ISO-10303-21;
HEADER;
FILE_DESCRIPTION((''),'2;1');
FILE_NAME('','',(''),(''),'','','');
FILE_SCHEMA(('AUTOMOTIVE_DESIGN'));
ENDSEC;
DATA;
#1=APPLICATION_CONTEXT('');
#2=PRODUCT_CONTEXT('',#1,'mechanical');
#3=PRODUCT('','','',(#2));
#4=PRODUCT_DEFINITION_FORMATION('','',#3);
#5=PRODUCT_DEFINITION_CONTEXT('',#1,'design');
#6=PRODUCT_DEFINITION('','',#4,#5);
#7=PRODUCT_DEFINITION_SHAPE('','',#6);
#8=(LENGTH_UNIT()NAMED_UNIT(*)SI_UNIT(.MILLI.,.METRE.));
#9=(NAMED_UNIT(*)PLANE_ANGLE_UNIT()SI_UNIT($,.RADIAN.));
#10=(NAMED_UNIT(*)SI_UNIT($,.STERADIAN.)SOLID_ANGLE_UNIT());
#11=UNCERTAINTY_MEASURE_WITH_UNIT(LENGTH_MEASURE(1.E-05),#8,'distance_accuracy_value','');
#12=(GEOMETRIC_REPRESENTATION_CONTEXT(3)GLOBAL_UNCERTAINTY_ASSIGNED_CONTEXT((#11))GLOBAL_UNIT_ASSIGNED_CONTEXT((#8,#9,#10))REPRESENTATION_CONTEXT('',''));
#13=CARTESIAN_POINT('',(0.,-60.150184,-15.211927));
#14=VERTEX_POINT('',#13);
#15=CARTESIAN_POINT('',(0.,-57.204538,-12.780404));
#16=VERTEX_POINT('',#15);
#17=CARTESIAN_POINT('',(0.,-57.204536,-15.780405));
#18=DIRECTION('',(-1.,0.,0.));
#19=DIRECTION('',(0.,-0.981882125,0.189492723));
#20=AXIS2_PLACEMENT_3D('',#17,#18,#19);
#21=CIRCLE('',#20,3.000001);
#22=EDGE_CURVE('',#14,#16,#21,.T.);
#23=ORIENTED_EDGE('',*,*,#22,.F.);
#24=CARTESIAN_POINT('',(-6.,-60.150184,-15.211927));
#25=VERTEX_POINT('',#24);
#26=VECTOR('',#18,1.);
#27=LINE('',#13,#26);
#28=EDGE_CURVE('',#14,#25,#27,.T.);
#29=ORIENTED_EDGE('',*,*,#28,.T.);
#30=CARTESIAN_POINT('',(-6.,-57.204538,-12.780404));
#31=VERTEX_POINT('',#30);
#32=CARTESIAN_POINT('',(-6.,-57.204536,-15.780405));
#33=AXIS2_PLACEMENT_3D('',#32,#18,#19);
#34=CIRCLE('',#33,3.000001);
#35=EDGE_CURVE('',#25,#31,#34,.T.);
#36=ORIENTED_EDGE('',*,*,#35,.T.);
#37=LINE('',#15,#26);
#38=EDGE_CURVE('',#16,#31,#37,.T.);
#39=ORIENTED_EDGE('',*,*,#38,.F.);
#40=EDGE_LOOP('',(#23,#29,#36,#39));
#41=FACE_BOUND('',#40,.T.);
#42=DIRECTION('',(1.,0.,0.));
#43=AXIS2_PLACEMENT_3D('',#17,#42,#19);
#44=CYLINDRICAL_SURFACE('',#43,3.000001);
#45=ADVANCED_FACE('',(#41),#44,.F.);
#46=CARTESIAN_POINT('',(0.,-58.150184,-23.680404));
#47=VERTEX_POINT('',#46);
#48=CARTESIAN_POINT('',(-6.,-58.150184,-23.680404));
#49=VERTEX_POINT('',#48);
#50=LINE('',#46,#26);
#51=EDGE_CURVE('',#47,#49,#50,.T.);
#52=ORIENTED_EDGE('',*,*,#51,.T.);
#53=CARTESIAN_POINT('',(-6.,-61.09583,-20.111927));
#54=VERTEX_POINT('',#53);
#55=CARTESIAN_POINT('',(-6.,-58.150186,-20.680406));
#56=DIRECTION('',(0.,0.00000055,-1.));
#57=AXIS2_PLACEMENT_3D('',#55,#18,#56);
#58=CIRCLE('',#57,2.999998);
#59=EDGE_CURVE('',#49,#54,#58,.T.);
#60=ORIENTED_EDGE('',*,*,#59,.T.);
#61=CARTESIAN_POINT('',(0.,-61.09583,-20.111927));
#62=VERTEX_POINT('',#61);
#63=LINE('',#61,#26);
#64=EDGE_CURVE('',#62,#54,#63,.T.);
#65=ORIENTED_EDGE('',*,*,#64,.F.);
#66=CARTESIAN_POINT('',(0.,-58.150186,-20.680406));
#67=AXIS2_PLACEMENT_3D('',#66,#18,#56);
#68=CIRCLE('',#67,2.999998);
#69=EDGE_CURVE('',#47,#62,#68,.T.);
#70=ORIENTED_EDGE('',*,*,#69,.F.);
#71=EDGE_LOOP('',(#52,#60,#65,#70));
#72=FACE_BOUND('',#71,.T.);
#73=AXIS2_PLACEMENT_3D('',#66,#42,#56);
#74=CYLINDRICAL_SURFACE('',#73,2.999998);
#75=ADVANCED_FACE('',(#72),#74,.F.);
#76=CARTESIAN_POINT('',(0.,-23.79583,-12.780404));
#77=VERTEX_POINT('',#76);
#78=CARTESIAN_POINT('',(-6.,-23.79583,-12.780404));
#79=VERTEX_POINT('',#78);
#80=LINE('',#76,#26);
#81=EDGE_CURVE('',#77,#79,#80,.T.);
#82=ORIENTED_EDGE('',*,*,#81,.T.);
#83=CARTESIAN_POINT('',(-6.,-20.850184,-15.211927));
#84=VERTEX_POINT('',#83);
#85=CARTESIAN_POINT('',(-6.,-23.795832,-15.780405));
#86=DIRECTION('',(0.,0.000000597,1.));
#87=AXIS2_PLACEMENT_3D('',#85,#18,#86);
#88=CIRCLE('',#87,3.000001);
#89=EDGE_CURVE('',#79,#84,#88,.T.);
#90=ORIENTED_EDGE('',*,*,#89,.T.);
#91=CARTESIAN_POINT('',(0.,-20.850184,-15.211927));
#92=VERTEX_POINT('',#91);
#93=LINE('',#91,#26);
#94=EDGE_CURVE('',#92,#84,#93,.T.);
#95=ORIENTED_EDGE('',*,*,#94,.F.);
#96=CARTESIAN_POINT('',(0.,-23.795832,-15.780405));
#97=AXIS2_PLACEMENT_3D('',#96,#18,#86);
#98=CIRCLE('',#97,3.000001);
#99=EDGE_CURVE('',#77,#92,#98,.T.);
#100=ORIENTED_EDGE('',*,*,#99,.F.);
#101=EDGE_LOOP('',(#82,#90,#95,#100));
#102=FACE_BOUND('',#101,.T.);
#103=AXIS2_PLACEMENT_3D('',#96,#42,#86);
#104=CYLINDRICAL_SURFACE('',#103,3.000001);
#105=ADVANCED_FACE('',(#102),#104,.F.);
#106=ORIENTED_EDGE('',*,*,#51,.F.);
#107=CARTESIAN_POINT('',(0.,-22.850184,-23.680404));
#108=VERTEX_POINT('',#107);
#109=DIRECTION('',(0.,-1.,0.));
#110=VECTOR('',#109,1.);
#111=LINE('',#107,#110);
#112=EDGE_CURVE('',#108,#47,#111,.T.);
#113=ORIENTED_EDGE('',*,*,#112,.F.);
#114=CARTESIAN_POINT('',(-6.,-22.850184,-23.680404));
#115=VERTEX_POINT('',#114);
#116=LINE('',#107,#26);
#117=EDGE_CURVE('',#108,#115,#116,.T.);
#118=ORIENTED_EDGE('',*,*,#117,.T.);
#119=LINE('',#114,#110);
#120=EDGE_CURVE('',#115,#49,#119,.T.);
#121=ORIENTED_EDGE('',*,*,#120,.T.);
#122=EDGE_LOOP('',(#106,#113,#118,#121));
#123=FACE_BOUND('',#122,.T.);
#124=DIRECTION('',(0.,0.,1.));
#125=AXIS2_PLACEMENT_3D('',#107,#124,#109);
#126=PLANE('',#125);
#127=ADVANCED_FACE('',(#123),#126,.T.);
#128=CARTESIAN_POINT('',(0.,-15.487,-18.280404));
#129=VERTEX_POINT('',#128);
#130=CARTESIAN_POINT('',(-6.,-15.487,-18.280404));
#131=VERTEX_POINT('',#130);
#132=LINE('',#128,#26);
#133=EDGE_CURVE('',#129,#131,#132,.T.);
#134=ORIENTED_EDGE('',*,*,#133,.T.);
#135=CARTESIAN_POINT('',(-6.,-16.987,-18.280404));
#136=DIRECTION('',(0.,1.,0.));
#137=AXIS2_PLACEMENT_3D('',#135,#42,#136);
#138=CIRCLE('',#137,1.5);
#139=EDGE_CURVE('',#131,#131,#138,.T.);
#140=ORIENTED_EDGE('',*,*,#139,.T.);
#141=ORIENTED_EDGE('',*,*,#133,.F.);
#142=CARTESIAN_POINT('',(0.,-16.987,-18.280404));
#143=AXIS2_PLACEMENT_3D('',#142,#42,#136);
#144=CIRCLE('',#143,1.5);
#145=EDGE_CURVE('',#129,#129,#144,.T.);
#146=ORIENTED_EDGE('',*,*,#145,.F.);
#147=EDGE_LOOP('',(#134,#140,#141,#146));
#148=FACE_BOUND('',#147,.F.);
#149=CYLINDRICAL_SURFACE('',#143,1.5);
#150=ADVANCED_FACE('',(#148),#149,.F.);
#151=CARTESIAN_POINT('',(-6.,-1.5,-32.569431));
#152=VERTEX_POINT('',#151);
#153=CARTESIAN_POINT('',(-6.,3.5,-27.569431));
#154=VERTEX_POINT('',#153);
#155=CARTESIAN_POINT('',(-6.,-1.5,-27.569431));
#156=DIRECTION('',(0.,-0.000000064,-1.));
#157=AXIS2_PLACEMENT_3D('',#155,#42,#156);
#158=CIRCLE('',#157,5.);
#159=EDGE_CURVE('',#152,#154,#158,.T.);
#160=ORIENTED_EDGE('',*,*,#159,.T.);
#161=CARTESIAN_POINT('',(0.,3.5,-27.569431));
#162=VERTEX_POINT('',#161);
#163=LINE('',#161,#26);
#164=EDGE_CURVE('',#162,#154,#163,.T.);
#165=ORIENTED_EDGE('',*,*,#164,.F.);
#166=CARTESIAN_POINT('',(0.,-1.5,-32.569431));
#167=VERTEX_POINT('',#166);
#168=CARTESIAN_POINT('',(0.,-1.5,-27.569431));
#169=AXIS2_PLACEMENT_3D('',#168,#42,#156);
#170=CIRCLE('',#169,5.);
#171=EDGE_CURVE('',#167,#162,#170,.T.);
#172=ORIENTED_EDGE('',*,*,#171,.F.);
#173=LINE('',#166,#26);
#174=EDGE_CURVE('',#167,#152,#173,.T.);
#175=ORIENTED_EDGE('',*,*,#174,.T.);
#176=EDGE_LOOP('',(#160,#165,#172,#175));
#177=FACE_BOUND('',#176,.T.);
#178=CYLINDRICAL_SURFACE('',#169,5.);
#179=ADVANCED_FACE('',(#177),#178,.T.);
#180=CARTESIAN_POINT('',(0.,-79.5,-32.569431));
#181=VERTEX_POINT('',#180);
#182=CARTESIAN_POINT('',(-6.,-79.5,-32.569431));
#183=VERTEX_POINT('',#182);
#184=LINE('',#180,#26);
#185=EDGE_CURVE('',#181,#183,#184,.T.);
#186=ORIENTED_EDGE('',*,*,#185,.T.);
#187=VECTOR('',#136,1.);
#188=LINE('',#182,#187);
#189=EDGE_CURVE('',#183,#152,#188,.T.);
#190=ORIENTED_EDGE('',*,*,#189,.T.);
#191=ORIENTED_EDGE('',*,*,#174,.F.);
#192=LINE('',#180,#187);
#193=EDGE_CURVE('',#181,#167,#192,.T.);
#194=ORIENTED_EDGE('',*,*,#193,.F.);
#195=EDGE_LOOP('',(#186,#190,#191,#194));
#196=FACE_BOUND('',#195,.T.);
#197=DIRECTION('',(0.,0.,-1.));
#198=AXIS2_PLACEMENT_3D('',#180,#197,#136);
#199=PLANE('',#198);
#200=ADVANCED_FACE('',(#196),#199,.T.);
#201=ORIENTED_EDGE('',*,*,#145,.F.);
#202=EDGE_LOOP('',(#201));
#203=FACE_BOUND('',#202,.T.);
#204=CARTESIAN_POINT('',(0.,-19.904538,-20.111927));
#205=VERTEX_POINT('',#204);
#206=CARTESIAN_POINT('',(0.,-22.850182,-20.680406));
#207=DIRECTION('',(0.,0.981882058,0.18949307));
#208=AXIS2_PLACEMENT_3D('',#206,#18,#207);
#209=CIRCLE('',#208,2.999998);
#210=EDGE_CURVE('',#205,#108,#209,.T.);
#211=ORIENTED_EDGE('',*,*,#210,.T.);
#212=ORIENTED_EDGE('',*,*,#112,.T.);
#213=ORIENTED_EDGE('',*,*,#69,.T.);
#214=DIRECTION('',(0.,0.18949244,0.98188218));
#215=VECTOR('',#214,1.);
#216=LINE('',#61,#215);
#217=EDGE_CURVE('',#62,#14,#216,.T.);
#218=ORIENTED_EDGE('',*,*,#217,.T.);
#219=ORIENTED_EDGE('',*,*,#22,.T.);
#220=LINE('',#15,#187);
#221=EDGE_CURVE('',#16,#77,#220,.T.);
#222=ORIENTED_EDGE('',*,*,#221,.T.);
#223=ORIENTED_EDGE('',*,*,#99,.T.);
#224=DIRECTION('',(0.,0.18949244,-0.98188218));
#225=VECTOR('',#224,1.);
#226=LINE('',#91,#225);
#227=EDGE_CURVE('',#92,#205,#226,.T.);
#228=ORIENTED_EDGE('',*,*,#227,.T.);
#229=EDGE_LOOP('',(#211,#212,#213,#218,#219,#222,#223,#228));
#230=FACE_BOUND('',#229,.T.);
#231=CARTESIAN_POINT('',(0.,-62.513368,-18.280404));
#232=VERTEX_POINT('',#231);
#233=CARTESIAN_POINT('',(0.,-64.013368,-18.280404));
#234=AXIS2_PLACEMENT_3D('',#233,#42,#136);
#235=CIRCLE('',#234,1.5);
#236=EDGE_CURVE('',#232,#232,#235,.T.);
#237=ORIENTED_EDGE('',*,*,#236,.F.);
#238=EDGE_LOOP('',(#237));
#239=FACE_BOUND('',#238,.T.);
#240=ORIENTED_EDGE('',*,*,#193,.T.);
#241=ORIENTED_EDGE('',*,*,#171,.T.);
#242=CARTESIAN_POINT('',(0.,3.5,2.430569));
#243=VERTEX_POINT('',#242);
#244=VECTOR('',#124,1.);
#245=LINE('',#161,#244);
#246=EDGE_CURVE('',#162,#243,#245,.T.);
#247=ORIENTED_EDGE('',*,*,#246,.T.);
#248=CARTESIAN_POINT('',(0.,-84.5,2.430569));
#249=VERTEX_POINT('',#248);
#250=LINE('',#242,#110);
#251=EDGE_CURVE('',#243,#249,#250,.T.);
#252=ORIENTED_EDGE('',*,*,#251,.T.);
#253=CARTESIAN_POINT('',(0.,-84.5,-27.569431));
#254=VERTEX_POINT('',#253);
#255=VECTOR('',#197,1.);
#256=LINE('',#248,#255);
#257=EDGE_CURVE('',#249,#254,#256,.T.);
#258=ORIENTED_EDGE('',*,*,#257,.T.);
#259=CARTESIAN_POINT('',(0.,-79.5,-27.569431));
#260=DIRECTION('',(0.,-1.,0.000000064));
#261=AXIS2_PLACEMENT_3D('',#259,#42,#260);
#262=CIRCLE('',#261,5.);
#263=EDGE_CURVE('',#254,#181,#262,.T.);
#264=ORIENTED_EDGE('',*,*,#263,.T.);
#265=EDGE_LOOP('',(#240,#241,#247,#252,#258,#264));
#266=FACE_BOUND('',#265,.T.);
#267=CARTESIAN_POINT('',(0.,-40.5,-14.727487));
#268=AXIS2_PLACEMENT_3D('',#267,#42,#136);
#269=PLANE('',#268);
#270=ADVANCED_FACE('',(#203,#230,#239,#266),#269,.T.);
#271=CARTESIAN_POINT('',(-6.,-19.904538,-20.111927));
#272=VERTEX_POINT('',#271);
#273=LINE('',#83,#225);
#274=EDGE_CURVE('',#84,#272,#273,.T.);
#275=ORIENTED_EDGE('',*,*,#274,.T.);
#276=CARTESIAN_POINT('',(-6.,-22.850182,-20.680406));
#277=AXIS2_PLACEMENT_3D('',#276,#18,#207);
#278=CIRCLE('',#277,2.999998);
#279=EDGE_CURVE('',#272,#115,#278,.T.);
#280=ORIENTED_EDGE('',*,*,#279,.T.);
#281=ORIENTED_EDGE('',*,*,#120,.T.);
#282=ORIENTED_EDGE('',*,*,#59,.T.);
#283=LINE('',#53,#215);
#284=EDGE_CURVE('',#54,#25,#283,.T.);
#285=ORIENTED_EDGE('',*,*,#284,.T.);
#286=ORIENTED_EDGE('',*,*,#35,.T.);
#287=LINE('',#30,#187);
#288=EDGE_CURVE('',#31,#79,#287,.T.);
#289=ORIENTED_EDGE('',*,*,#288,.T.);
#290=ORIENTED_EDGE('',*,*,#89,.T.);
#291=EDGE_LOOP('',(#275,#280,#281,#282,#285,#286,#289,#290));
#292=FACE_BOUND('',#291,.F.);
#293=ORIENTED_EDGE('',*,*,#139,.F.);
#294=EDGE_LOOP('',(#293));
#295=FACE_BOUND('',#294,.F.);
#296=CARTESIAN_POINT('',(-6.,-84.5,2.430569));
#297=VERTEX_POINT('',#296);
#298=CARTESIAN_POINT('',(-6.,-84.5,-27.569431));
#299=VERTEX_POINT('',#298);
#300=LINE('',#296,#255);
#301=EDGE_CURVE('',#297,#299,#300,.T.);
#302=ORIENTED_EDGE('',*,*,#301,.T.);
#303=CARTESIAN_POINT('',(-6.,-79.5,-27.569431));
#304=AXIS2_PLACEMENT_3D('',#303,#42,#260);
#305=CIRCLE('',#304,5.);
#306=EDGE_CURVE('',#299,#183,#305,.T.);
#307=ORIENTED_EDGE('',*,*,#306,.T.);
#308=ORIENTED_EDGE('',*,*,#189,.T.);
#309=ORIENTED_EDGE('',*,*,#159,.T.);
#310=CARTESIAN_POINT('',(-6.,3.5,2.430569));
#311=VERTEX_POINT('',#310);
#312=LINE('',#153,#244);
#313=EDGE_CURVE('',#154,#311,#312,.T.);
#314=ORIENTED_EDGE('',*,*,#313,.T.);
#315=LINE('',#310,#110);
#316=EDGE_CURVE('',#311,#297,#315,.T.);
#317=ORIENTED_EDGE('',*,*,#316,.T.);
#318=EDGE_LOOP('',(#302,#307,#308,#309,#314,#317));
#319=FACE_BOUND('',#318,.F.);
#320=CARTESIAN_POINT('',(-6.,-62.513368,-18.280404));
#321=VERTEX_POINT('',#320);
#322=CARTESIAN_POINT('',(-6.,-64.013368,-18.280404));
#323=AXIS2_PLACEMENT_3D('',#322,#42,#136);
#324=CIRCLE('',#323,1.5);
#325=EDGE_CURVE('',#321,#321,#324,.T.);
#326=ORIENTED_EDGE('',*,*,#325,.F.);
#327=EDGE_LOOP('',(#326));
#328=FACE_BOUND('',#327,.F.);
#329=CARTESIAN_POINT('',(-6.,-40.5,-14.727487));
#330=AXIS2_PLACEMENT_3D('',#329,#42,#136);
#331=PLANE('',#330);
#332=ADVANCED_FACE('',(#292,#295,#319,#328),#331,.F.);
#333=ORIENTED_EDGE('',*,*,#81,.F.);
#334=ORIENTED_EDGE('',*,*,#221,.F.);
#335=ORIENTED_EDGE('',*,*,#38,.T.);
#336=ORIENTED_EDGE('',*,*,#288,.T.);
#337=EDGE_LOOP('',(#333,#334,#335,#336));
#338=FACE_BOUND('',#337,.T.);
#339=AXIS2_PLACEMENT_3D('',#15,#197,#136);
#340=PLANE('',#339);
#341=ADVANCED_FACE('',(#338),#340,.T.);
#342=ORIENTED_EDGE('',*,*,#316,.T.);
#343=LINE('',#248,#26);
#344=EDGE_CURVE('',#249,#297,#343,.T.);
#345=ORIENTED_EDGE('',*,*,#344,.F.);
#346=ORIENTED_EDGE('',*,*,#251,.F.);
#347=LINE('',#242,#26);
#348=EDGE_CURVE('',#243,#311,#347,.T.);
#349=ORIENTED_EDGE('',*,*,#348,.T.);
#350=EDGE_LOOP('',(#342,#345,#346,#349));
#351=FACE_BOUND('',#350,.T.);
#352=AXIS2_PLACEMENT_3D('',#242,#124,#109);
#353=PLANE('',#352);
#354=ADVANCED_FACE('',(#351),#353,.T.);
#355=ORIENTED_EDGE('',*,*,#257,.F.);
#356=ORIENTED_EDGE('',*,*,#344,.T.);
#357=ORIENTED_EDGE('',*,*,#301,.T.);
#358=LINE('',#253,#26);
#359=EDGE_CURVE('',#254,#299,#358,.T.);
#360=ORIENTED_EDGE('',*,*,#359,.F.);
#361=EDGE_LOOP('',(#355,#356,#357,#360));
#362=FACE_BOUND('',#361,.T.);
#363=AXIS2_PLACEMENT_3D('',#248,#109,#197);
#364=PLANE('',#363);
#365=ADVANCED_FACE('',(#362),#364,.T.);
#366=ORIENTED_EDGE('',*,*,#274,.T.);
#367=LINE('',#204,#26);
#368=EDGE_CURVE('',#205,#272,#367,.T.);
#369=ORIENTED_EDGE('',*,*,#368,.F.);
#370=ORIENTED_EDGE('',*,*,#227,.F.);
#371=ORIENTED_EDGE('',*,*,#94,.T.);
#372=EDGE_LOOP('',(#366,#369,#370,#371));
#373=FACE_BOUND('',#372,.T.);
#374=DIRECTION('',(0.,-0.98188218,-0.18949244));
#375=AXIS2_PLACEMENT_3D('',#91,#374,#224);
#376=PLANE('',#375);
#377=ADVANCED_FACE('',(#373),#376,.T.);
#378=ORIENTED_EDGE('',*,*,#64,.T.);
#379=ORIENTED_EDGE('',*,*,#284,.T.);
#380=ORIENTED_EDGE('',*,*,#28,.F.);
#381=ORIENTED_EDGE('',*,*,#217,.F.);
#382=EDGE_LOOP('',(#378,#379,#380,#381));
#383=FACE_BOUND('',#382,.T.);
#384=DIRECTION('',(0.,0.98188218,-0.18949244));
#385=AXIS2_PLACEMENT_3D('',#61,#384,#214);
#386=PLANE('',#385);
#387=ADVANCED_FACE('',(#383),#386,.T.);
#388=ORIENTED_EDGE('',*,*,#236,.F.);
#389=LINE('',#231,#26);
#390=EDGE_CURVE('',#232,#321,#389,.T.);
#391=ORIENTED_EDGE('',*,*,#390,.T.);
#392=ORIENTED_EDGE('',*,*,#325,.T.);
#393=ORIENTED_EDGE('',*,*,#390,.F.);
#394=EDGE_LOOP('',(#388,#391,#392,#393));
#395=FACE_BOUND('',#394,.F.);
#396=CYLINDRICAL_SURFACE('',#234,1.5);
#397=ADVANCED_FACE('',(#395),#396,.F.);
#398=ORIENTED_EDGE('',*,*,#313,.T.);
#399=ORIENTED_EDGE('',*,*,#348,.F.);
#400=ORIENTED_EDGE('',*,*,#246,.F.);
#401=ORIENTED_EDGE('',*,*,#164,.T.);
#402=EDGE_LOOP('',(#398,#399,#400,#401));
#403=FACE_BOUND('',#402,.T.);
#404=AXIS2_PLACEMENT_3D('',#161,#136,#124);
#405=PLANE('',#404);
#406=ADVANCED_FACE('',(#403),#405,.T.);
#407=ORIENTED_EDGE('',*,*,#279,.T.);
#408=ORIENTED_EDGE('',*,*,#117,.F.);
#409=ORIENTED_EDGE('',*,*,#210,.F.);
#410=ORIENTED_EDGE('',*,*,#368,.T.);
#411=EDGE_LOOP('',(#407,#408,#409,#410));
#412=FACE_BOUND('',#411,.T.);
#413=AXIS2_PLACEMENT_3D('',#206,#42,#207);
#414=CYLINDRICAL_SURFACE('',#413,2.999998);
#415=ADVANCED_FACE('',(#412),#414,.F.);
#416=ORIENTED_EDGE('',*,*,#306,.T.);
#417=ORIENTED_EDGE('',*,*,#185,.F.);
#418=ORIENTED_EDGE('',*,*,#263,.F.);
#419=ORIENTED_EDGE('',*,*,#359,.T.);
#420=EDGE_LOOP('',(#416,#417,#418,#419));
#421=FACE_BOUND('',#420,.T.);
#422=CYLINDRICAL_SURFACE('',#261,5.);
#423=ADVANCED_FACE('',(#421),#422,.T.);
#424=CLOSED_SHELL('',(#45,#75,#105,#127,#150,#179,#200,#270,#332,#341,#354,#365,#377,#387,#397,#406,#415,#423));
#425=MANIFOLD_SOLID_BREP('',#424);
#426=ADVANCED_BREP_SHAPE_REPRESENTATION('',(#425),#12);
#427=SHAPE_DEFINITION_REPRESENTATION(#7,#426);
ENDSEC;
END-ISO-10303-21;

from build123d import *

# Parameters (mm, degrees)
F0_R     = 1.5
F1_DEPTH = 6


with BuildPart() as f1:
    # F0 (on Right) → F1 (new body)
    with BuildSketch(Plane.YZ):
        with BuildLine():
            Line((0, 2.430569), (-81, 2.430569))
            Line((-81, 2.430569), (-84.5, 2.430569))
            Line((-84.5, 2.430569), (-84.5, -12.069431))
            Line((-84.5, -12.069431), (-84.5, -19.569431))
            Line((-84.5, -19.569431), (-84.5, -27.569431))
            ThreePointArc((-84.5, -27.569431), (-83.035534, -31.104965), (-79.5, -32.569431))
            Line((-79.5, -32.569431), (-1.5, -32.569431))
            ThreePointArc((-1.5, -32.569431), (2.035534, -31.104965), (3.5, -27.569431))
            Line((3.5, -27.569431), (3.5, -19.569431))
            Line((3.5, -19.569431), (3.5, -10.569431))
            Line((3.5, -10.569431), (3.5, 2.430569))
            Line((3.5, 2.430569), (0, 2.430569))
        make_face()
        with Locations((-64.013368, -18.280404)):
            Circle(F0_R, mode=Mode.SUBTRACT)
        with BuildLine():
            Line((-61.09583, -20.111927), (-60.150184, -15.211927))
            ThreePointArc((-60.150184, -15.211927), (-59.114324, -13.466811), (-57.204538, -12.780404))
            Line((-57.204538, -12.780404), (-23.79583, -12.780404))
            ThreePointArc((-23.79583, -12.780404), (-21.886044, -13.466811), (-20.850184, -15.211927))
            Line((-20.850184, -15.211927), (-19.904538, -20.111927))
            ThreePointArc((-19.904538, -20.111927), (-20.53659, -22.590191), (-22.850184, -23.680404))
            Line((-22.850184, -23.680404), (-58.150184, -23.680404))
            ThreePointArc((-58.150184, -23.680404), (-60.463778, -22.590191), (-61.09583, -20.111927))
        make_face(mode=Mode.SUBTRACT)
        with Locations((-16.987, -18.280404)):
            Circle(F0_R, mode=Mode.SUBTRACT)
    extrude(amount=-F1_DEPTH)


solid = f1.part
